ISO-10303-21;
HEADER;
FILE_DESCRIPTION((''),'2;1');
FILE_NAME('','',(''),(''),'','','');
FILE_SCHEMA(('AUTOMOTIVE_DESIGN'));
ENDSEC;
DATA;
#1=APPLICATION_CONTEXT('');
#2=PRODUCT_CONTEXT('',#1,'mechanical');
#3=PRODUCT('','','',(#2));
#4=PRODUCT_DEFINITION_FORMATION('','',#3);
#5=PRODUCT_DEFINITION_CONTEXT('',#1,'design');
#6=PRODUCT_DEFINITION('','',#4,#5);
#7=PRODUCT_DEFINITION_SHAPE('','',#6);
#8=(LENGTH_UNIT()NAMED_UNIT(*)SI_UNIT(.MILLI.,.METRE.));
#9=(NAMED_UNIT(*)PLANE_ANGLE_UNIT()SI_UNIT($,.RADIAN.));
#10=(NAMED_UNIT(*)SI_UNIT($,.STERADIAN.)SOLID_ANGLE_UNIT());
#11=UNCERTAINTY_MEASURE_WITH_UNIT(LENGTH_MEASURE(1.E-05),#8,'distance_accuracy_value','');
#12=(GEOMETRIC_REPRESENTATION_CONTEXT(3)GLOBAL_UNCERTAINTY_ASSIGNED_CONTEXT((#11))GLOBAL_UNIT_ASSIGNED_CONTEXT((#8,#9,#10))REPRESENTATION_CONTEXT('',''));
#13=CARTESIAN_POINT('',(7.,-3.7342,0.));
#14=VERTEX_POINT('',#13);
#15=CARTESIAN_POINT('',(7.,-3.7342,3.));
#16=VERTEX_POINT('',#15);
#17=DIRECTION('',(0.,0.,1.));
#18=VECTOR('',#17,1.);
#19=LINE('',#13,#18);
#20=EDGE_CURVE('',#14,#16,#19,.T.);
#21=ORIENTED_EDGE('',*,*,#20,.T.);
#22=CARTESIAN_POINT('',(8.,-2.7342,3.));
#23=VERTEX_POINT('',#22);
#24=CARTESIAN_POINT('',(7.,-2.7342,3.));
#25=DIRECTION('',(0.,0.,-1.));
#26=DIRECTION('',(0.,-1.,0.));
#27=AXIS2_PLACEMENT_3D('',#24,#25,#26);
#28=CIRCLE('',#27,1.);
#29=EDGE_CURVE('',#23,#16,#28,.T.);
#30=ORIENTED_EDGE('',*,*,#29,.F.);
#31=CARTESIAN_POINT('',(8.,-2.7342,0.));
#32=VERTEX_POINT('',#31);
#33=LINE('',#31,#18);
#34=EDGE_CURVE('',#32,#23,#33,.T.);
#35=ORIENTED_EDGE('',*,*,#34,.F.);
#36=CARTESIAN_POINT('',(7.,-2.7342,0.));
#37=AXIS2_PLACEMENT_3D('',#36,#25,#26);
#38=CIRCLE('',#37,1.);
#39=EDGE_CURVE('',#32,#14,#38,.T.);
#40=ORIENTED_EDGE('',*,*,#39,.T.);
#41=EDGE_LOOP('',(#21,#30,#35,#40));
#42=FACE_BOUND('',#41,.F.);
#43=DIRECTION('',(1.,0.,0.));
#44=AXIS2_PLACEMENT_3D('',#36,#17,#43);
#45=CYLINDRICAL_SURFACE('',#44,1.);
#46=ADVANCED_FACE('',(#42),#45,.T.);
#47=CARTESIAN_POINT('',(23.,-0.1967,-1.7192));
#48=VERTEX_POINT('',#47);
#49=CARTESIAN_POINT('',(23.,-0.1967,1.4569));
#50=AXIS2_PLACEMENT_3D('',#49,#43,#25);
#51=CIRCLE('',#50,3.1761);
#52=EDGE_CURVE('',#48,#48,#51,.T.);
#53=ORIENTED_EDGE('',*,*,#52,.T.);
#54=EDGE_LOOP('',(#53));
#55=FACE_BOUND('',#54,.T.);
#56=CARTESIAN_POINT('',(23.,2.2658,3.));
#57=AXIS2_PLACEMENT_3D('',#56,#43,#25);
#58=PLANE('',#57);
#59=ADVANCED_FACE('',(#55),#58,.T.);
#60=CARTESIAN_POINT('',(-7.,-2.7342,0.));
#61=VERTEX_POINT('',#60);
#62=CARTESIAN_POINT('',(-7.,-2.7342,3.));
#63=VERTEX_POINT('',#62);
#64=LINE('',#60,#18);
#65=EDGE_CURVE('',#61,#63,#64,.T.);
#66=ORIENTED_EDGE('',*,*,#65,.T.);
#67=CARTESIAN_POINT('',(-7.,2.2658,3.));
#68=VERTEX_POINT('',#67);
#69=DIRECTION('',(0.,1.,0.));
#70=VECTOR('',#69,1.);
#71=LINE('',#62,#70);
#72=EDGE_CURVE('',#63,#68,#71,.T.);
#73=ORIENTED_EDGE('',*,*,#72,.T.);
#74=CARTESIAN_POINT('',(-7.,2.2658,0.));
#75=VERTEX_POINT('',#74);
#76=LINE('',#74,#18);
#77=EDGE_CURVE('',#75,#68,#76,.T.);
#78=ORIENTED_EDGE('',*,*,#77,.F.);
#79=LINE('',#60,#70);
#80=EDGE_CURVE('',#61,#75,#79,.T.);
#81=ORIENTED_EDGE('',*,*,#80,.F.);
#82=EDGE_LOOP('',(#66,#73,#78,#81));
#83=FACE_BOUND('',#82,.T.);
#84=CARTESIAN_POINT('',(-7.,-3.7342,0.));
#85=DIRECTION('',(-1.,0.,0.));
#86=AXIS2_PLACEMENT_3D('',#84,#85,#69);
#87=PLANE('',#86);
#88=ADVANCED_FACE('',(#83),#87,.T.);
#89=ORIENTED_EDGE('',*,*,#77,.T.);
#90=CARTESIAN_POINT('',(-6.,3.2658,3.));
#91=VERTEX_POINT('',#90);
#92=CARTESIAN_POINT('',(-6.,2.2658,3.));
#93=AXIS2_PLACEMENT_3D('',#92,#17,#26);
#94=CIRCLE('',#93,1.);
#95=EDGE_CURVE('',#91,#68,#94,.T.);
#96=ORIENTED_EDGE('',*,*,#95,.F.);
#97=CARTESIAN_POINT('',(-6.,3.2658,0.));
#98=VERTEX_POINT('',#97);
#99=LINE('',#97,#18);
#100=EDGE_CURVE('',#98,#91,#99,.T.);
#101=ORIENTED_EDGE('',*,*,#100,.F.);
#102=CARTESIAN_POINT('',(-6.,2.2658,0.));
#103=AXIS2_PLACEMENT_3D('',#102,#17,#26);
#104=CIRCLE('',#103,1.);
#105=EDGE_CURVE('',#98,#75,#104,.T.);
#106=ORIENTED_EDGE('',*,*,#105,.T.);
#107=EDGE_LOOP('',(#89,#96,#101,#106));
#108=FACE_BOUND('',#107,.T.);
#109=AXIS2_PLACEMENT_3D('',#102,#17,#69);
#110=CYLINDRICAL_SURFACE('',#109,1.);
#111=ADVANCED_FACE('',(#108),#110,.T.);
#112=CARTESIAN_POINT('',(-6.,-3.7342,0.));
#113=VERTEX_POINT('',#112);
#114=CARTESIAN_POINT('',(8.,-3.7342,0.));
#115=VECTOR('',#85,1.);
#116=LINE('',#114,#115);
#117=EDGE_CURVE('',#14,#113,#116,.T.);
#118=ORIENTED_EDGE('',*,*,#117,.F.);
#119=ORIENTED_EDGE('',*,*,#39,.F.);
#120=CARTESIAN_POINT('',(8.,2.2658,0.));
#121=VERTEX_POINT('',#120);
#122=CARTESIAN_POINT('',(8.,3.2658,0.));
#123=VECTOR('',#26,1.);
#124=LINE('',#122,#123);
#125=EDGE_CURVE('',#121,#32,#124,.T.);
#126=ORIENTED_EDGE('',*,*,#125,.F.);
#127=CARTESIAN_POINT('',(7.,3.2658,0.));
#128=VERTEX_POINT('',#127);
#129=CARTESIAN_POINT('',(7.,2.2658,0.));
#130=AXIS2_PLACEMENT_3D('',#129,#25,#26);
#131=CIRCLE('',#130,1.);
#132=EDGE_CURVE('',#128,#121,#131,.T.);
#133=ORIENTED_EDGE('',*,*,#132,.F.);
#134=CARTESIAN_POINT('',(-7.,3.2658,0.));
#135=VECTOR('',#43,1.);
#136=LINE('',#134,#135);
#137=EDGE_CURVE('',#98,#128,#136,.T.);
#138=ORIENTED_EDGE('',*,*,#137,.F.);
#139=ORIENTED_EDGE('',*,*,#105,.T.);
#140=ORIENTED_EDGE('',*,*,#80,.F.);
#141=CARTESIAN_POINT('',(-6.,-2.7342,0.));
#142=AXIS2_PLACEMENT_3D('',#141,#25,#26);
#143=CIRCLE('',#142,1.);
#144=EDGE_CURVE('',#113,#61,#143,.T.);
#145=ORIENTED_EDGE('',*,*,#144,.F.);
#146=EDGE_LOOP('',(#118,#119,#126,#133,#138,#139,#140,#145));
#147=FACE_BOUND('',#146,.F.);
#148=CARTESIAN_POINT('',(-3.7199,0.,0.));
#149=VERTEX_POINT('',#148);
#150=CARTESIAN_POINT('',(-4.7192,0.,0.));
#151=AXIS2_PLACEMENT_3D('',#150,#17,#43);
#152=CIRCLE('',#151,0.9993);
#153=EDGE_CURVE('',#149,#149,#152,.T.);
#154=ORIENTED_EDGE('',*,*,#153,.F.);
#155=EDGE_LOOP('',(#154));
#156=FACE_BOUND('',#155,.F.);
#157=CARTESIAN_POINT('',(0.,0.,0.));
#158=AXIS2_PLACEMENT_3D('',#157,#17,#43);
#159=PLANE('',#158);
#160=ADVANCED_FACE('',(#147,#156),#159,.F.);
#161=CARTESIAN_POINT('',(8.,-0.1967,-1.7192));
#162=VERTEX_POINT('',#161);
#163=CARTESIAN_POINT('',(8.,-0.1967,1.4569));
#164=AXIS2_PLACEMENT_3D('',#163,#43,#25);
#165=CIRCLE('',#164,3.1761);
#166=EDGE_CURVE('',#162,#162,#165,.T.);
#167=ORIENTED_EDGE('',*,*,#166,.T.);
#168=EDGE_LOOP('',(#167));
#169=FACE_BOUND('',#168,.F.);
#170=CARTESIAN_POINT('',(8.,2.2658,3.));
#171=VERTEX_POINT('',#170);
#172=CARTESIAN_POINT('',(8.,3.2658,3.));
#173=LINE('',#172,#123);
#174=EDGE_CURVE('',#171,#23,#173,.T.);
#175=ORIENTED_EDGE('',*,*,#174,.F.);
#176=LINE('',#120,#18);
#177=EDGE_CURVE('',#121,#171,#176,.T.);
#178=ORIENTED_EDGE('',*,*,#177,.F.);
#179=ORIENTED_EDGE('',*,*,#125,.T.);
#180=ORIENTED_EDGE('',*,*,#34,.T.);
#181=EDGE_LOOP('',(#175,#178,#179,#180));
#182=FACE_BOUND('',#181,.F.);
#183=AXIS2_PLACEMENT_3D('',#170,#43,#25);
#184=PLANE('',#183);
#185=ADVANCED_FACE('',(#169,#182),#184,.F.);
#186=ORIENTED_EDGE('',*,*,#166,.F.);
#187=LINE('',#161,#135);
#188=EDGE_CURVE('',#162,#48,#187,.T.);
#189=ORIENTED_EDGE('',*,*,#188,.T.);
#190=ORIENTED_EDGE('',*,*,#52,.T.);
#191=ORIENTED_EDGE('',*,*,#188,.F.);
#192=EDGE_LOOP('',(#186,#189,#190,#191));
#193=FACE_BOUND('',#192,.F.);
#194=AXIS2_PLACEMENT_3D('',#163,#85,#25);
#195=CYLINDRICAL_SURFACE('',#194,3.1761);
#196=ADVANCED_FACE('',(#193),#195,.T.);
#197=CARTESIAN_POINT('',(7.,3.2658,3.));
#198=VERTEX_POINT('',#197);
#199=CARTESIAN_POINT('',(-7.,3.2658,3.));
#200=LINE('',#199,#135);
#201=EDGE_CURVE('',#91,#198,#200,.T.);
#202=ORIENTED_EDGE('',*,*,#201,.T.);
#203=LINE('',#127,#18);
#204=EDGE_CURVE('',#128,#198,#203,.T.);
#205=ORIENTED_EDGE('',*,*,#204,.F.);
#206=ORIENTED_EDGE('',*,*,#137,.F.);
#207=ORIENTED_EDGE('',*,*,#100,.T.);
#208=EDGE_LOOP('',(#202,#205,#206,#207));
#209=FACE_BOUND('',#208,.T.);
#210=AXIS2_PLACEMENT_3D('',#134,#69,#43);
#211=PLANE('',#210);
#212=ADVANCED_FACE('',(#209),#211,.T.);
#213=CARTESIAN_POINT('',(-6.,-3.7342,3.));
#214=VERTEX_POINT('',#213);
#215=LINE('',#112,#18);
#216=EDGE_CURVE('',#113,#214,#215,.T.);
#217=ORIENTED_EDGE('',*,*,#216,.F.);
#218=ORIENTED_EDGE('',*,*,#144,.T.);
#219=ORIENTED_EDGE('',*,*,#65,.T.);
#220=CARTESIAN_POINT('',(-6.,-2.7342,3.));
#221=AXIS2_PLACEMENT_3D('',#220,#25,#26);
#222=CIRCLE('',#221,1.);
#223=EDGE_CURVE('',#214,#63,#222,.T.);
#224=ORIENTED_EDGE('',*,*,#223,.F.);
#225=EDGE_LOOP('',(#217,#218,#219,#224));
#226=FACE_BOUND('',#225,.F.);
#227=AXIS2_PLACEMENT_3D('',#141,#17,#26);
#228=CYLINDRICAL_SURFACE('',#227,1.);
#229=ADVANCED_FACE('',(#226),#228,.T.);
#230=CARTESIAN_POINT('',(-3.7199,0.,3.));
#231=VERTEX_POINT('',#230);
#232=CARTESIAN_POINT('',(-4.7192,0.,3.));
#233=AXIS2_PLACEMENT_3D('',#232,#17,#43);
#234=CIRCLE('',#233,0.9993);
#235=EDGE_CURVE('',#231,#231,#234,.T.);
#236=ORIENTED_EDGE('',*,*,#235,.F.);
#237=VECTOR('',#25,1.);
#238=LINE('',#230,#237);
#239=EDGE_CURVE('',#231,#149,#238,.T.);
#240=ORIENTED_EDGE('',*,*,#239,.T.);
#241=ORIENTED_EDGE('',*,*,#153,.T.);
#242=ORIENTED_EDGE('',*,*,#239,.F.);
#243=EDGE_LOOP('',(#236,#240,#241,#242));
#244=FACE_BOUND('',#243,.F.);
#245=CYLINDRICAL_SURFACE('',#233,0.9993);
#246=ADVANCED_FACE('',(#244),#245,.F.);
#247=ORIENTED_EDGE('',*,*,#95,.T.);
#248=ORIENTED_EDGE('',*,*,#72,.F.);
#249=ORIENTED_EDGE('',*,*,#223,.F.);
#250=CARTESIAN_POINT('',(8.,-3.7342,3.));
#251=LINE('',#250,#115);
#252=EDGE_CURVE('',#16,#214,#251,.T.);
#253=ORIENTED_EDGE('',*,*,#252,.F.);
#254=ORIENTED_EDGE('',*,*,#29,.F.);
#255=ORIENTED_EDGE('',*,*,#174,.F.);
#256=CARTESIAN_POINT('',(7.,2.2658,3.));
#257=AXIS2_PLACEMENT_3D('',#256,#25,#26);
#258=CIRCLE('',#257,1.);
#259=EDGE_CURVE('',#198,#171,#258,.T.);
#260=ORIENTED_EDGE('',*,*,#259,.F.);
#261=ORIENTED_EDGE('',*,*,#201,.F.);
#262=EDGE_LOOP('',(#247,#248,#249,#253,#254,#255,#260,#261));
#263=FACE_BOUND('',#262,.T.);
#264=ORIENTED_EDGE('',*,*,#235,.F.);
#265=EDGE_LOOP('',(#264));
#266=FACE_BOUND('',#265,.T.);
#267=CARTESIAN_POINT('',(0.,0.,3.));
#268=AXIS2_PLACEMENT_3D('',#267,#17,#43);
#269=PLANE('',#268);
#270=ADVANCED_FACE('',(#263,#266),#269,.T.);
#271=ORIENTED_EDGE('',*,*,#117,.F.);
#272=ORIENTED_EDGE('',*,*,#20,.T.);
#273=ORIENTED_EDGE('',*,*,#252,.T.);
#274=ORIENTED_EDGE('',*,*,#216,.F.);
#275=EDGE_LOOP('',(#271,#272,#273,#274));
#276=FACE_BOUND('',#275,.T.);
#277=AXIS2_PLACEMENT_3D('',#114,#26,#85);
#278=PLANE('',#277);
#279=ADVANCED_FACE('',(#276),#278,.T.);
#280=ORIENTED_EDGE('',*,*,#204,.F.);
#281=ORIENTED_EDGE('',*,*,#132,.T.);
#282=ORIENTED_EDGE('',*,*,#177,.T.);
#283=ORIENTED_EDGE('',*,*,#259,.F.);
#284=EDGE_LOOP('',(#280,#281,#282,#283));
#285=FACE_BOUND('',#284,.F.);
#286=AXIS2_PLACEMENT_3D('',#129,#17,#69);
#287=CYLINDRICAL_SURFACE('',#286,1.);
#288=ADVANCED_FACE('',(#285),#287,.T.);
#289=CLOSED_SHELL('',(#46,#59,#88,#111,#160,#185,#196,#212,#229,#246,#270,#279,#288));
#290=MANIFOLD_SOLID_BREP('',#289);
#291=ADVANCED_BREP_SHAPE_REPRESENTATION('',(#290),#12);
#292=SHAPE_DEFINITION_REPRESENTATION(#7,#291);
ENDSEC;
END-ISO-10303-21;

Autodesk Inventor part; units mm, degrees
ref_plane "YZ Plane" through (0, 0, 0) normal (1, 0, 0) x (0, 1, 0)
ref_plane "XZ Plane" through (0, 0, 0) normal (0, 1, 0) x (-1, 0, 0)
sketch "Sketch1" plane through (0, 0, 0) normal (0, 0, 1) x (1, 0, 0)
  line L0 (-7, -0.2342) -> (-7, 3.2658)
  line L1 (-7, 3.2658) -> (8, 3.2658)
  line L2 (8, 3.2658) -> (8, -3.7342)
  line L3 (8, -3.7342) -> (-7, -3.7342)
  line L4 (-7, -3.7342) -> (-7, -0.2342)
  point P0 (0, 0)
  dimension "d0" = 15
  dimension "d1" = 15
  dimension "d2" = 7
  dimension "d3" = 3.5
  dimension "d4" = 7
extrude "Extrusion1" add sketch "Sketch1" along normal blind 3
fillet "Fillet1" radius 1 1 edges at (8, 3.2658, 1.5)
fillet "Fillet2" radius 1 1 edges at (8, -3.7342, 1.5)
fillet "Fillet3" radius 1 2 edges at (-7, 3.2658, 1.5) (-7, -3.7342, 1.5)
sketch "Sketch2" plane through (0, 0, 3) normal (0, 0, 1) x (1, 0, 0)
  circle A0 centre (-4.7192, 0) radius 0.9993
  point P0 (0, 0)
extrude "Extrusion2" cut sketch "Sketch2" against normal blind 3
sketch "Sketch3" plane through (8, 2.2658, 3) normal (1, 0, 0) x (0, 0, -1)
  circle A0 centre (1.5431, -2.4625) radius 3.1761
  point P0 (3, -2.2658)
extrude "Extrusion3" add sketch "Sketch3" along normal blind 15
sketch "Sketch4" plane through (23, -0.1967, 1.4569) normal (1, 0, 0) x (0, 0, -1)
  point P0 (1.4569, 0.1967)
sketch "Sketch5" plane through (0, 0, 0) normal (0, 0, 1) x (1, 0, 0)
  point P0 (0, 0)
thread "Thread1" size "M7x1" class "6g" standard "ANSI Metric M Profile" length 15
properties part number "end factor"
